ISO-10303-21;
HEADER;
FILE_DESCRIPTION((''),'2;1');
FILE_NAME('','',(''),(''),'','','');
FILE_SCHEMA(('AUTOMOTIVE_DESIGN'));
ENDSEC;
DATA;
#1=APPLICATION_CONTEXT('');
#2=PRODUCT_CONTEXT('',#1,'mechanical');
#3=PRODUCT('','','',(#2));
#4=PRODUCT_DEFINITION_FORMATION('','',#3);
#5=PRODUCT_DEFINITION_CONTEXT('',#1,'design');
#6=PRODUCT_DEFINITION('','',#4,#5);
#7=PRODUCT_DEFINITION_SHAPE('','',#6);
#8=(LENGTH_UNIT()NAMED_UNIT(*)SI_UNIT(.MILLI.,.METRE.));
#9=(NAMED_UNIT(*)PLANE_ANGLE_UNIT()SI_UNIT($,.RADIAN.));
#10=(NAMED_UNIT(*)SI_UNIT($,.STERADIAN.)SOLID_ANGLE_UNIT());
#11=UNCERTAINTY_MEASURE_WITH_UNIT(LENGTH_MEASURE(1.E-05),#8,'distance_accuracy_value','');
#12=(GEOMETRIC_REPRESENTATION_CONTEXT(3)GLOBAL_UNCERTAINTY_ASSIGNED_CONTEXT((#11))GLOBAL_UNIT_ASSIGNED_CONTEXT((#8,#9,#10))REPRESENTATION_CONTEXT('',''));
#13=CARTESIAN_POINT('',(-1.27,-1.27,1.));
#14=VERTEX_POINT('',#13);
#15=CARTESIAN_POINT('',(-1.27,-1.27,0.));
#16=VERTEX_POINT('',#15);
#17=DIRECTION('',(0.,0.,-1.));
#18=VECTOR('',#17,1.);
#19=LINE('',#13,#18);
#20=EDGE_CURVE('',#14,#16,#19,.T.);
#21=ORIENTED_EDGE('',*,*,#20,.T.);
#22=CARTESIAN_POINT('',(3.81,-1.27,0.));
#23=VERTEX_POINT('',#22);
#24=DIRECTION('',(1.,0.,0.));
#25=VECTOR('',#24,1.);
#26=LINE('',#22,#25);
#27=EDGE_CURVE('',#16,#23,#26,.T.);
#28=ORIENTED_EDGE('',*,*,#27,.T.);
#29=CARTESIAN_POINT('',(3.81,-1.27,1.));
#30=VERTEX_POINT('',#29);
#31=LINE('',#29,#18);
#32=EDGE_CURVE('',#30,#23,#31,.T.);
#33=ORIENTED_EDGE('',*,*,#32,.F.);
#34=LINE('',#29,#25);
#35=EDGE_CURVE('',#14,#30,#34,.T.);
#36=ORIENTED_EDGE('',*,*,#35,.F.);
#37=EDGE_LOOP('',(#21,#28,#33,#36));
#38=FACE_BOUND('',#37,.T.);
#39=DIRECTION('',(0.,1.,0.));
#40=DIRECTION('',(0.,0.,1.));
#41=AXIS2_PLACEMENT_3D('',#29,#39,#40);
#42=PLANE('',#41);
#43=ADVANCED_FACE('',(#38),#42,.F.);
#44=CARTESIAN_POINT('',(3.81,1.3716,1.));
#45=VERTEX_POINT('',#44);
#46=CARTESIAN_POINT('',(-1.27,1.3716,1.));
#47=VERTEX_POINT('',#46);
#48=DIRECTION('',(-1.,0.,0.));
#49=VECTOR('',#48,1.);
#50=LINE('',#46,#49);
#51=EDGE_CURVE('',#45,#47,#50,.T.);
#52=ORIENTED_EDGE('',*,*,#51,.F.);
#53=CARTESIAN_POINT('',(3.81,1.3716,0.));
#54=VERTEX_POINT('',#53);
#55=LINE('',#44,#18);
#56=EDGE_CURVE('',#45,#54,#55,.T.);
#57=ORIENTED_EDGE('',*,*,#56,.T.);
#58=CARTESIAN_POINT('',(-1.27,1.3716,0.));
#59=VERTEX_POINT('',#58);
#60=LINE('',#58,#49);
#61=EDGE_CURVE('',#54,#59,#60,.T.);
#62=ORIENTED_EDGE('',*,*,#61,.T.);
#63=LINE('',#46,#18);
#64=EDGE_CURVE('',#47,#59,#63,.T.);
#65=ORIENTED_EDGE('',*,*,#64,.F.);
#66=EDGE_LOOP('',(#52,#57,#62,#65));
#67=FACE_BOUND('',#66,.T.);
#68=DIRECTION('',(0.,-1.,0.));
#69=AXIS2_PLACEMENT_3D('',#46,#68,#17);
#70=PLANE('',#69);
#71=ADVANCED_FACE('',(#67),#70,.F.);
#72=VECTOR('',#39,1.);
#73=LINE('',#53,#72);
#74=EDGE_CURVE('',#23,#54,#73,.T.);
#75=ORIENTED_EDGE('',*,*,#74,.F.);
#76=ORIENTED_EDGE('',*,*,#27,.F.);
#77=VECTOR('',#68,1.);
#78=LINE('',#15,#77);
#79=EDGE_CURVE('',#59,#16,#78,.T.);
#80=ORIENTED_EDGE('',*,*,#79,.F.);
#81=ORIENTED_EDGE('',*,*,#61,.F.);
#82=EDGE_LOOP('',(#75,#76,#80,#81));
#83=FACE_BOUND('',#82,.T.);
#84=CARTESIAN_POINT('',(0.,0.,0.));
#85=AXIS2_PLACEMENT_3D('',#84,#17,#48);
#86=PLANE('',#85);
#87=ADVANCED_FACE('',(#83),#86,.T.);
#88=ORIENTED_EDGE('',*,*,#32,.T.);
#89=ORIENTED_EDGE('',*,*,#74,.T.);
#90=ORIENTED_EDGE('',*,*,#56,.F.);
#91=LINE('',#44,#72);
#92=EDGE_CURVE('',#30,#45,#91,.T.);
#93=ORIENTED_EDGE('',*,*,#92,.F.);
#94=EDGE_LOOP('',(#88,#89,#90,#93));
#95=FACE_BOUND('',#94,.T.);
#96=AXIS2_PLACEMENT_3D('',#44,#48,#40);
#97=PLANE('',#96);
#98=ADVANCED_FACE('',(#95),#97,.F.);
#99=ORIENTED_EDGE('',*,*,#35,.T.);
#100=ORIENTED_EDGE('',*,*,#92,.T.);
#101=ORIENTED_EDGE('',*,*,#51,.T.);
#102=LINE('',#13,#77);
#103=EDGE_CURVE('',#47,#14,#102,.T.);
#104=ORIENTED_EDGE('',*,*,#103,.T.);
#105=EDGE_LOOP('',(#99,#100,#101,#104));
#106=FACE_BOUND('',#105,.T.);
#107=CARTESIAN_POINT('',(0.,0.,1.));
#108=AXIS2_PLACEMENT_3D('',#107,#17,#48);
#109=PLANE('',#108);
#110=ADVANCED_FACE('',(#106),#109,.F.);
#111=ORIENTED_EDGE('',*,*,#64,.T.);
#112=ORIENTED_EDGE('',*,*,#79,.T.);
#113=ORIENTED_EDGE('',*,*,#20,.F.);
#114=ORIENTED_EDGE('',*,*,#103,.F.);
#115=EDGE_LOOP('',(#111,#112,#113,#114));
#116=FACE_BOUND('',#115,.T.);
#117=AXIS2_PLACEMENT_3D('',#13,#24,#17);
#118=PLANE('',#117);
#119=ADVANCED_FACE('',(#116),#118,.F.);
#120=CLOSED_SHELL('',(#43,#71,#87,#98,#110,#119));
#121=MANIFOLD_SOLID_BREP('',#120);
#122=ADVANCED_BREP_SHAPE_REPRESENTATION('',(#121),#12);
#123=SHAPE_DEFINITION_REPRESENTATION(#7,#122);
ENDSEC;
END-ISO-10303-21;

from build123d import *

# Parameters (mm, degrees)
SKETCH1_W               = 5.08
SKETCH1_H               = 2.6416
COMPONENT_OUTLINE_DEPTH = 1


with BuildPart() as part:
    # Sketch1 → Component_Outline (new body)
    with BuildSketch(Plane.XY):
        with Locations((1.27, 0.0508)):
            Rectangle(SKETCH1_W, SKETCH1_H)
    extrude(amount=COMPONENT_OUTLINE_DEPTH)


solid = part.part
